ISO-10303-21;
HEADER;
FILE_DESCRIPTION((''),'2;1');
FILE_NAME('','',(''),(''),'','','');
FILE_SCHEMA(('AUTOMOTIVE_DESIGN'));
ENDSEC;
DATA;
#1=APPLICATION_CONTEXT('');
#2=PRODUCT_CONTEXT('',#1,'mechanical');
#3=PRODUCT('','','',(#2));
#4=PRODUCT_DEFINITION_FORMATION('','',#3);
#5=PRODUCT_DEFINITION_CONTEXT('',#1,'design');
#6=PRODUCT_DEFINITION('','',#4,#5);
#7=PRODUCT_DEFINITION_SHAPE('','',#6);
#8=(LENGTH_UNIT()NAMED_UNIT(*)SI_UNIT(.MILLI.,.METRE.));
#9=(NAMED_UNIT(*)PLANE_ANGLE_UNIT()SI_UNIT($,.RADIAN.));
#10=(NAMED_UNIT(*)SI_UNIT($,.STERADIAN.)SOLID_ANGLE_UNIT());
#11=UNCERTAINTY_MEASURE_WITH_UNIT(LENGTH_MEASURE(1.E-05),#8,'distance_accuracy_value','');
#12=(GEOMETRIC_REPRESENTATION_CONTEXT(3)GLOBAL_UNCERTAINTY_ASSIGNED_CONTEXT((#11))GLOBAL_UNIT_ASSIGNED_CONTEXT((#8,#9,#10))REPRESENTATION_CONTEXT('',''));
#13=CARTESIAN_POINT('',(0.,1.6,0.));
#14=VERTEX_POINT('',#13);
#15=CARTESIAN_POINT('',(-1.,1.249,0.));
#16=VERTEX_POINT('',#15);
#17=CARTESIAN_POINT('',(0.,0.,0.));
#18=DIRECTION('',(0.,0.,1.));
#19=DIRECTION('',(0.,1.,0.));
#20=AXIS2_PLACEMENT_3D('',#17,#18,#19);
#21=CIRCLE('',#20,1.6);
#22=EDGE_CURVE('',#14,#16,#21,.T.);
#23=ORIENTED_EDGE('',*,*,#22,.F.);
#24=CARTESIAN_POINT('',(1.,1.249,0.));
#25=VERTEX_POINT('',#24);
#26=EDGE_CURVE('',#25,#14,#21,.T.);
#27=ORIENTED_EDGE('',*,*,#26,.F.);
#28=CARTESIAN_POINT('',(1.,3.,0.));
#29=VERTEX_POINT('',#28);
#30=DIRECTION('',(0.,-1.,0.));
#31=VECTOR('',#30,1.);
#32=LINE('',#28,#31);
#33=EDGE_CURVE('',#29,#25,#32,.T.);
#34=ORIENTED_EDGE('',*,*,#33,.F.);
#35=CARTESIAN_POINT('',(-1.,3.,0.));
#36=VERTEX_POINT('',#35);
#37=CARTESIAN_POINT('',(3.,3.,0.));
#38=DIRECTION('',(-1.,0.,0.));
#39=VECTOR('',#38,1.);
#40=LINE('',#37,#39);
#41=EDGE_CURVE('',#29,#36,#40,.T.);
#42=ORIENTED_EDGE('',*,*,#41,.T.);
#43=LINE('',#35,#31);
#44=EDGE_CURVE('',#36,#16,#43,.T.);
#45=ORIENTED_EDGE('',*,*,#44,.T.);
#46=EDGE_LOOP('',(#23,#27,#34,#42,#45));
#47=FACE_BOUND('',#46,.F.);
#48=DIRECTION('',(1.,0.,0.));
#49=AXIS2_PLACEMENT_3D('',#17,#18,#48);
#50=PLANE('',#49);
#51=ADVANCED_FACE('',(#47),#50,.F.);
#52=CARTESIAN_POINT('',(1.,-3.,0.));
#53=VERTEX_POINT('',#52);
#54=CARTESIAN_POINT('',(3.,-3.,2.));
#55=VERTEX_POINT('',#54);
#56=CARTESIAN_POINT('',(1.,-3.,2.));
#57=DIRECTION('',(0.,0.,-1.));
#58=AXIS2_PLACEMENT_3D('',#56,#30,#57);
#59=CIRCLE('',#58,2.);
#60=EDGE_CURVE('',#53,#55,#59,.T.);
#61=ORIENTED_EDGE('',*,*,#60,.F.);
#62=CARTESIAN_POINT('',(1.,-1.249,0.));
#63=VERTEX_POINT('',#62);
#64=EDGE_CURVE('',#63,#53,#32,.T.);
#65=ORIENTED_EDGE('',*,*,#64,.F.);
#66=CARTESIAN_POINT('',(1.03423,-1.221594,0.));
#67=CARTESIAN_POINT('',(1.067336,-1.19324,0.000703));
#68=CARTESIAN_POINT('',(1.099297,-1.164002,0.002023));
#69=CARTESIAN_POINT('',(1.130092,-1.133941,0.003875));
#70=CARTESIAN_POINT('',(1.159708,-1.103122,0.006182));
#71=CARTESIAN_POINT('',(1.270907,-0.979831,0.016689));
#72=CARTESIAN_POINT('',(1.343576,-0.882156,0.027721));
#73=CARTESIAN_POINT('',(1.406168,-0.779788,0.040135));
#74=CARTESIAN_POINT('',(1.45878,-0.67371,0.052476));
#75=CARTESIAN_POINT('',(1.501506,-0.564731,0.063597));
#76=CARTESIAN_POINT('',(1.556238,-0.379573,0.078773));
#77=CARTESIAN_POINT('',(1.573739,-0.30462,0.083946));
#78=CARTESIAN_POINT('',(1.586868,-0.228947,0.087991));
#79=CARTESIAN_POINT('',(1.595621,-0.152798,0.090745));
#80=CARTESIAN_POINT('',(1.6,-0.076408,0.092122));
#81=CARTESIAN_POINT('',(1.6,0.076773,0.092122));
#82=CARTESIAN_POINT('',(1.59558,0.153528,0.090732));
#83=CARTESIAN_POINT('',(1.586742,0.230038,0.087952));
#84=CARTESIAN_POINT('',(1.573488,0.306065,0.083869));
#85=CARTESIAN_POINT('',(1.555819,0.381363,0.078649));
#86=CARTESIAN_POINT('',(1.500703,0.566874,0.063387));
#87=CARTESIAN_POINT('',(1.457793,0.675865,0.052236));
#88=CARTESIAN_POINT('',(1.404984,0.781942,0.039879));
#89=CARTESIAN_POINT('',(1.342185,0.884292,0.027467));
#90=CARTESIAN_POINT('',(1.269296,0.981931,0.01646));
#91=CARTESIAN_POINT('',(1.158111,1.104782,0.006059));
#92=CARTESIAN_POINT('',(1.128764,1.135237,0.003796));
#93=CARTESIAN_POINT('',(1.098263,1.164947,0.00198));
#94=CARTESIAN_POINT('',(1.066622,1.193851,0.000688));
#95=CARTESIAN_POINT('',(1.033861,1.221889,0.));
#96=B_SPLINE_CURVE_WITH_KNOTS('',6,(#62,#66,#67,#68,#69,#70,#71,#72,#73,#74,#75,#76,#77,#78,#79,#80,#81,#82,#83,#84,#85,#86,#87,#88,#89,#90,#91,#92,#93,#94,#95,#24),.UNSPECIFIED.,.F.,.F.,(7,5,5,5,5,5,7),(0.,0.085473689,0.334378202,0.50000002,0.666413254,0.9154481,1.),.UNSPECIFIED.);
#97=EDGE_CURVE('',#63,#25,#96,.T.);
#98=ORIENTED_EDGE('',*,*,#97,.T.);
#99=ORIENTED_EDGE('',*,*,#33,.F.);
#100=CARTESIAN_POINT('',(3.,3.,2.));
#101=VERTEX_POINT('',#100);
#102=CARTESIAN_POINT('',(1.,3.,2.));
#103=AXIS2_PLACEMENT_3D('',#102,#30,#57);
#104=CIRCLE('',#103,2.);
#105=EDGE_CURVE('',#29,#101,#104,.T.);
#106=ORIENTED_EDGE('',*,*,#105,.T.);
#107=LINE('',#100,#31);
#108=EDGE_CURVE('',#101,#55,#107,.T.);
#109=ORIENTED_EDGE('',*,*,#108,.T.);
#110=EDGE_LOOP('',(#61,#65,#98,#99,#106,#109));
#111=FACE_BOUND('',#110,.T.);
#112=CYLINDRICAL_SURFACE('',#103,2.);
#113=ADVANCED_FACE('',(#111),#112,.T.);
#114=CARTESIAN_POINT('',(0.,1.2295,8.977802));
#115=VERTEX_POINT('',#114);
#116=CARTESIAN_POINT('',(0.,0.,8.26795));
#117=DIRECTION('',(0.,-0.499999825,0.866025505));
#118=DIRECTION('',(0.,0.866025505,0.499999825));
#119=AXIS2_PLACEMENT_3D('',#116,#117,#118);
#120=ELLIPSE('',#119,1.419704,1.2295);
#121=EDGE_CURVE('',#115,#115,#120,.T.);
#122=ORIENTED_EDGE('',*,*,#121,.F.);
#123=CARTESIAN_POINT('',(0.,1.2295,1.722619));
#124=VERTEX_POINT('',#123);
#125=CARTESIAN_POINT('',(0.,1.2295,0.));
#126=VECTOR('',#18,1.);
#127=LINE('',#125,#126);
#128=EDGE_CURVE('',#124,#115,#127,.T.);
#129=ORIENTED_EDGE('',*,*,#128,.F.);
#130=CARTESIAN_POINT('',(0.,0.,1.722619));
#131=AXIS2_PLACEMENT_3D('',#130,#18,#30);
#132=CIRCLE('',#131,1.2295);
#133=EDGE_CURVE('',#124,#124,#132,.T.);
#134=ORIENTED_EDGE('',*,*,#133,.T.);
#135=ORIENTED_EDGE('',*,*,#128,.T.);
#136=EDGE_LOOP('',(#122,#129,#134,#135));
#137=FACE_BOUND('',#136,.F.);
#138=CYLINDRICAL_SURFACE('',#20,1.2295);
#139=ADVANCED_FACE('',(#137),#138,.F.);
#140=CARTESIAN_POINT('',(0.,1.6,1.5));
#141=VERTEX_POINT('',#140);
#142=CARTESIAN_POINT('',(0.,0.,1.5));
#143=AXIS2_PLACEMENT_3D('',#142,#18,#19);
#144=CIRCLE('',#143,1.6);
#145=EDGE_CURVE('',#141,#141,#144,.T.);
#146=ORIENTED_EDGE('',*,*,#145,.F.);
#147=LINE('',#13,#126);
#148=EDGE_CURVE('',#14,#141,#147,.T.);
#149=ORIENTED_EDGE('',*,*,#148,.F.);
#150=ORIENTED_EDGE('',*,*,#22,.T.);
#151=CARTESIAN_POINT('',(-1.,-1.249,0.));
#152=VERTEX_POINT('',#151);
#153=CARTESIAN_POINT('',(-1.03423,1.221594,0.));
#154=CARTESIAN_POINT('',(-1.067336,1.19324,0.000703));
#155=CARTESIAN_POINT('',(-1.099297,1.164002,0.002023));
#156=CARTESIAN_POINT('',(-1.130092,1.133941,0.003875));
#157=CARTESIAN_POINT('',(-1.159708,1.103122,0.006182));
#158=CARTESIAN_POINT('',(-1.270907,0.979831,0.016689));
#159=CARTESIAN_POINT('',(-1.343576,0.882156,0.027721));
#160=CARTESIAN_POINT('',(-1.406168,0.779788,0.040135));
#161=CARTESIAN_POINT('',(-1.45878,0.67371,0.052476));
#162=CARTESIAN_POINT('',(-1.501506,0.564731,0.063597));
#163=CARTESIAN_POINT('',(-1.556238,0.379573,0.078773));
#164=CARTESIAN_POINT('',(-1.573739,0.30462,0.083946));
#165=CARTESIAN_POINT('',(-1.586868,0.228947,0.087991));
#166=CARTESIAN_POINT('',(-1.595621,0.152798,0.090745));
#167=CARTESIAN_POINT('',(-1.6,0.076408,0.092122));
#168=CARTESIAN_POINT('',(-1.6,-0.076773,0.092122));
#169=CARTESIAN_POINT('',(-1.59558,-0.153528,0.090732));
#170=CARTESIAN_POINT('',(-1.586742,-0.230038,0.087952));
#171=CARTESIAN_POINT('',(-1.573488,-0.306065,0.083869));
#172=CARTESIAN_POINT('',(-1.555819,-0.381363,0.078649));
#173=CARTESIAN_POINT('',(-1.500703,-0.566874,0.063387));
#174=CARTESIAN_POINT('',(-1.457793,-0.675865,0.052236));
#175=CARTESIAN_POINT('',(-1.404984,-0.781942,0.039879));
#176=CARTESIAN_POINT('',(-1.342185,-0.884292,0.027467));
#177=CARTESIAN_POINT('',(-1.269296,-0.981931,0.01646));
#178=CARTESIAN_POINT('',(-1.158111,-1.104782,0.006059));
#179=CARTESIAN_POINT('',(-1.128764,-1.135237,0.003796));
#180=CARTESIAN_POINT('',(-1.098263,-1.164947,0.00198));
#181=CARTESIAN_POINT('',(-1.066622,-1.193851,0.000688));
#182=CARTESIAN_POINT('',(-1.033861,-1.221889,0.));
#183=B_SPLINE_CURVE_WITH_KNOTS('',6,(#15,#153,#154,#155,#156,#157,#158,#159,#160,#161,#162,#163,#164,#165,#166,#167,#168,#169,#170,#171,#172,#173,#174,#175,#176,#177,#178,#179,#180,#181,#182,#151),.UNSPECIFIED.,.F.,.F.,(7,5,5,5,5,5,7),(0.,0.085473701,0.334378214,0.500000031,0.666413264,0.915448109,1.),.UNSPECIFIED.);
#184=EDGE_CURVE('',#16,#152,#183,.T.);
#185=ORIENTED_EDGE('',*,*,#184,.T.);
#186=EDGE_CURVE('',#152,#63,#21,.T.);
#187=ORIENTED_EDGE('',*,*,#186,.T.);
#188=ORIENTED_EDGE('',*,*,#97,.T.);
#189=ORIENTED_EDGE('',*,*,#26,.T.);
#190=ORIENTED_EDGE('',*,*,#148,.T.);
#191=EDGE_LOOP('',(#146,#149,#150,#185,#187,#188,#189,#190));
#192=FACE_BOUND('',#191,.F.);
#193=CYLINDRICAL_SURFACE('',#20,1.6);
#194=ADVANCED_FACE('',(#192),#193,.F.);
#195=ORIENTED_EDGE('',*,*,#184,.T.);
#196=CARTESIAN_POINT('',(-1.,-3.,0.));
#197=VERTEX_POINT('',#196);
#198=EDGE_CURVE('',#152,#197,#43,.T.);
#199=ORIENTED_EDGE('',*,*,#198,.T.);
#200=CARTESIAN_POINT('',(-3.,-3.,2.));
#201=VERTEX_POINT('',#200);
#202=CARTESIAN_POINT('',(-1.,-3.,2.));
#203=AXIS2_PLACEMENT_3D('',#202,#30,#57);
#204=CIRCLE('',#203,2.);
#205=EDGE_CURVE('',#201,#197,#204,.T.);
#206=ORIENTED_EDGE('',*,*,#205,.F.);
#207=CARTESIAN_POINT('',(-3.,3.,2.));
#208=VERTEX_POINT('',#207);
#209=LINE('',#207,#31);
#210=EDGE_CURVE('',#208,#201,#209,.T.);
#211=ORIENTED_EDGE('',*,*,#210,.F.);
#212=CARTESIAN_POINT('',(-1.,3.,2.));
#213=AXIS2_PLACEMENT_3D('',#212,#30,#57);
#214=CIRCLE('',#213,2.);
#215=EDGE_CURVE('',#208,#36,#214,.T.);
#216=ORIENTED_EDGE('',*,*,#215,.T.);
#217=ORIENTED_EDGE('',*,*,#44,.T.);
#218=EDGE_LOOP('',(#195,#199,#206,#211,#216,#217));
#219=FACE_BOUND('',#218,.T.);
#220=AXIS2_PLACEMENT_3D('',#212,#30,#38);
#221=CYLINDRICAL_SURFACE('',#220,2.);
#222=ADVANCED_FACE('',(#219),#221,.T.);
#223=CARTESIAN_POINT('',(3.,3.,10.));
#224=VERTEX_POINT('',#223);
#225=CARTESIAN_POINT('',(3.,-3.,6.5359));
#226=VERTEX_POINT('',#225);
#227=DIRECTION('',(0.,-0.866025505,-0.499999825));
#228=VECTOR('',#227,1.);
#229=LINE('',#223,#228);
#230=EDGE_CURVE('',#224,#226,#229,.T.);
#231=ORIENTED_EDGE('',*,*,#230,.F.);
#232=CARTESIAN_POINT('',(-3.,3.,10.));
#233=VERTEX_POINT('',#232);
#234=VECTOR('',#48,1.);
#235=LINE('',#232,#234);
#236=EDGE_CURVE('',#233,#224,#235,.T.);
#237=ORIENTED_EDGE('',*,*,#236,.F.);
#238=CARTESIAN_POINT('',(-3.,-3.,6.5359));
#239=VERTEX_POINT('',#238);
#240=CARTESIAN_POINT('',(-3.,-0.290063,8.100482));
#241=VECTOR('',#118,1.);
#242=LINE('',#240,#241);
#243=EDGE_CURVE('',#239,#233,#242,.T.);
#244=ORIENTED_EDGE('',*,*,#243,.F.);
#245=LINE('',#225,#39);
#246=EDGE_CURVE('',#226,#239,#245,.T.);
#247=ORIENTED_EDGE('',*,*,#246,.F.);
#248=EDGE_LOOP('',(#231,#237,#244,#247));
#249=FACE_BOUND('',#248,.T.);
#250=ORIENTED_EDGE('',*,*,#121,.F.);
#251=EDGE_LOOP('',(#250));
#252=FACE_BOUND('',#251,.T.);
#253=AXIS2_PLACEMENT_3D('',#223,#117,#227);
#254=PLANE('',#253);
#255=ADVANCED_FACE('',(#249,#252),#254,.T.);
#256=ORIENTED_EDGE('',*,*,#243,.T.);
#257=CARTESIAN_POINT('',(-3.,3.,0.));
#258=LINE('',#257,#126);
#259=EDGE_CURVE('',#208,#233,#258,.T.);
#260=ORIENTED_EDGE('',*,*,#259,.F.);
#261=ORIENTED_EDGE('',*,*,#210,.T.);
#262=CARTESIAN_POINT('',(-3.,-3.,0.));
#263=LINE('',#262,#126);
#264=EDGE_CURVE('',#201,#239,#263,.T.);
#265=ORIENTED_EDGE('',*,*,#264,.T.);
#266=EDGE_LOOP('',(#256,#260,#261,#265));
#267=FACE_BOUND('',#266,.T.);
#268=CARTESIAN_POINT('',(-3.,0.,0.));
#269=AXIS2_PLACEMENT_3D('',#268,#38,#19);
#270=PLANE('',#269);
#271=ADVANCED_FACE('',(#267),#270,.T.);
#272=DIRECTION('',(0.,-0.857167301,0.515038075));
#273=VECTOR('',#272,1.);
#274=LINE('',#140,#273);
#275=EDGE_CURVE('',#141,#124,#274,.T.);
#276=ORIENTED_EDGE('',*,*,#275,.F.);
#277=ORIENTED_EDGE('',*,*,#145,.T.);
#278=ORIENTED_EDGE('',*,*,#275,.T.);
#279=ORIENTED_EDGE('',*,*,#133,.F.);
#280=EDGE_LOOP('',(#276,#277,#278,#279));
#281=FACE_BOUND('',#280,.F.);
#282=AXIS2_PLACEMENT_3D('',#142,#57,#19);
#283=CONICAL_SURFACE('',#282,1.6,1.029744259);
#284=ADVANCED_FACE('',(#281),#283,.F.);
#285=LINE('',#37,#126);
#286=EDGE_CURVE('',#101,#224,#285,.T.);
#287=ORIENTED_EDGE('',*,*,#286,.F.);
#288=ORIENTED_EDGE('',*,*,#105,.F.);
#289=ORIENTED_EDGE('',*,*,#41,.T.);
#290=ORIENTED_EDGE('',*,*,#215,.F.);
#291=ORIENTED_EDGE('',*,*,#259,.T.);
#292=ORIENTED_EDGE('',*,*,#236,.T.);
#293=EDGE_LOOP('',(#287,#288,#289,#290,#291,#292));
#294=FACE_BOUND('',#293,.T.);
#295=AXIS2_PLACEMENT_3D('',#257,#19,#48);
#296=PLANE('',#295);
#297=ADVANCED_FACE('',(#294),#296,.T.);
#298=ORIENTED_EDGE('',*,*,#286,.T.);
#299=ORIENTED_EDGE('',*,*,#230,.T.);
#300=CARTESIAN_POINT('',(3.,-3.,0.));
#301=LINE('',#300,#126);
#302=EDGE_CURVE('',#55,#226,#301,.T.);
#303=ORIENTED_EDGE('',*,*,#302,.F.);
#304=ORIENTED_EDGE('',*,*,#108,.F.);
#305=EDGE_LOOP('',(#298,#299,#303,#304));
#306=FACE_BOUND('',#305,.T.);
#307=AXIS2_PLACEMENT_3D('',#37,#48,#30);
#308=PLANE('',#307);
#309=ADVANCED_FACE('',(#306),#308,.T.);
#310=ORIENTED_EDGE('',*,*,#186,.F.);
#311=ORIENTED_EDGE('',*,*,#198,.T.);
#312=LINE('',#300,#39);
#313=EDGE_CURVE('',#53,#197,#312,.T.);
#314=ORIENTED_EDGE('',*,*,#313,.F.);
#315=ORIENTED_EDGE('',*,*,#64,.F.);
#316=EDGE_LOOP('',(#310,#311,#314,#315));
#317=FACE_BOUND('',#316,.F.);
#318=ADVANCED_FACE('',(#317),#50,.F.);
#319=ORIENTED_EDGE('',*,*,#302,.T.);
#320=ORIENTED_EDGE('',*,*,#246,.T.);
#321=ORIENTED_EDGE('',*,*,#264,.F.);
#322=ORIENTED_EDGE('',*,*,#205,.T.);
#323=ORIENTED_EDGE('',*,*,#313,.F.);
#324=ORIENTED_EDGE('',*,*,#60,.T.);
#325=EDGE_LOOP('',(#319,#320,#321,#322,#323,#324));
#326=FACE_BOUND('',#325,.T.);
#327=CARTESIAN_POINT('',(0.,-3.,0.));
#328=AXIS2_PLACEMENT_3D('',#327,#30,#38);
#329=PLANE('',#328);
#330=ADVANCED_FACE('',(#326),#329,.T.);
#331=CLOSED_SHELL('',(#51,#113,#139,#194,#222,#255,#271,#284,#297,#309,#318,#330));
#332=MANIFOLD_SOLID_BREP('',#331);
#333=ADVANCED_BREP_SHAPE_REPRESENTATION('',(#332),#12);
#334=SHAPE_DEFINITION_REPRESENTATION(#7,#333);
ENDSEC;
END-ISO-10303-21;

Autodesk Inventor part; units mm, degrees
ref_plane "YZ Plane" through (0, 0, 0) normal (1, 0, 0) x (0, 1, 0)
ref_plane "XZ Plane" through (0, 0, 0) normal (0, 1, 0) x (-1, 0, 0)
ref_plane "XY Plane" through (0, 0, 0) normal (0, 0, 1) x (1, 0, 0)
sketch "Skizze1" plane through (0, 0, 0) normal (0, 0, 1) x (1, 0, 0)
  line L0 (-4.2, 0) -> (4.2, 0) projected
  line L1 (0, -4.2) -> (0, 4.2) projected
  line L2 (-3, 3) -> (3, 3)
  line L3 (3, 3) -> (3, -3)
  line L4 (3, -3) -> (-3, -3)
  line L5 (-3, -3) -> (-3, 3)
  point P0 (0, 0)
  dimension "d0" = 6
  dimension "d1" = 6
extrude "Extrusion1" add sketch "Skizze1" along normal blind 10
sketch "Skizze2" plane through (3, -3, 0) normal (1, 0, 0) x (0, 0, -1)
  line L0 (-10, 0) -> (-10, 6) projected
  line L1 (0, 0) -> (-10, 0) projected
  line L2 (-10, 6) -> (-6.5359, 0)
  point P0 (0, 3)
  dimension "d4" = 60
extrude "Extrusion2" cut sketch "Skizze2" against normal through all
fillet "Rundung1" radius 2 2 edges at (3, 0, 0) (-3, 0, 0)
sketch "Skizze3" plane through (0, 0, 0) normal (0, 0, -1) x (-1, 0, 0)
  point P0 (0, 0)
  point P1 (0, 0)
hole "Bohrung1" at (0, 0, 0) direction (0, 0, 1) diameter 2.459 end through all thread size "M3x0.5" class "6H" standard "ISO Metric profile"
hole "Bohrung2" at (0, 0, 0) direction (0, 0, 1) diameter 3.2 depth 1.5 tip angle 118
properties part number "13_1087_034"
